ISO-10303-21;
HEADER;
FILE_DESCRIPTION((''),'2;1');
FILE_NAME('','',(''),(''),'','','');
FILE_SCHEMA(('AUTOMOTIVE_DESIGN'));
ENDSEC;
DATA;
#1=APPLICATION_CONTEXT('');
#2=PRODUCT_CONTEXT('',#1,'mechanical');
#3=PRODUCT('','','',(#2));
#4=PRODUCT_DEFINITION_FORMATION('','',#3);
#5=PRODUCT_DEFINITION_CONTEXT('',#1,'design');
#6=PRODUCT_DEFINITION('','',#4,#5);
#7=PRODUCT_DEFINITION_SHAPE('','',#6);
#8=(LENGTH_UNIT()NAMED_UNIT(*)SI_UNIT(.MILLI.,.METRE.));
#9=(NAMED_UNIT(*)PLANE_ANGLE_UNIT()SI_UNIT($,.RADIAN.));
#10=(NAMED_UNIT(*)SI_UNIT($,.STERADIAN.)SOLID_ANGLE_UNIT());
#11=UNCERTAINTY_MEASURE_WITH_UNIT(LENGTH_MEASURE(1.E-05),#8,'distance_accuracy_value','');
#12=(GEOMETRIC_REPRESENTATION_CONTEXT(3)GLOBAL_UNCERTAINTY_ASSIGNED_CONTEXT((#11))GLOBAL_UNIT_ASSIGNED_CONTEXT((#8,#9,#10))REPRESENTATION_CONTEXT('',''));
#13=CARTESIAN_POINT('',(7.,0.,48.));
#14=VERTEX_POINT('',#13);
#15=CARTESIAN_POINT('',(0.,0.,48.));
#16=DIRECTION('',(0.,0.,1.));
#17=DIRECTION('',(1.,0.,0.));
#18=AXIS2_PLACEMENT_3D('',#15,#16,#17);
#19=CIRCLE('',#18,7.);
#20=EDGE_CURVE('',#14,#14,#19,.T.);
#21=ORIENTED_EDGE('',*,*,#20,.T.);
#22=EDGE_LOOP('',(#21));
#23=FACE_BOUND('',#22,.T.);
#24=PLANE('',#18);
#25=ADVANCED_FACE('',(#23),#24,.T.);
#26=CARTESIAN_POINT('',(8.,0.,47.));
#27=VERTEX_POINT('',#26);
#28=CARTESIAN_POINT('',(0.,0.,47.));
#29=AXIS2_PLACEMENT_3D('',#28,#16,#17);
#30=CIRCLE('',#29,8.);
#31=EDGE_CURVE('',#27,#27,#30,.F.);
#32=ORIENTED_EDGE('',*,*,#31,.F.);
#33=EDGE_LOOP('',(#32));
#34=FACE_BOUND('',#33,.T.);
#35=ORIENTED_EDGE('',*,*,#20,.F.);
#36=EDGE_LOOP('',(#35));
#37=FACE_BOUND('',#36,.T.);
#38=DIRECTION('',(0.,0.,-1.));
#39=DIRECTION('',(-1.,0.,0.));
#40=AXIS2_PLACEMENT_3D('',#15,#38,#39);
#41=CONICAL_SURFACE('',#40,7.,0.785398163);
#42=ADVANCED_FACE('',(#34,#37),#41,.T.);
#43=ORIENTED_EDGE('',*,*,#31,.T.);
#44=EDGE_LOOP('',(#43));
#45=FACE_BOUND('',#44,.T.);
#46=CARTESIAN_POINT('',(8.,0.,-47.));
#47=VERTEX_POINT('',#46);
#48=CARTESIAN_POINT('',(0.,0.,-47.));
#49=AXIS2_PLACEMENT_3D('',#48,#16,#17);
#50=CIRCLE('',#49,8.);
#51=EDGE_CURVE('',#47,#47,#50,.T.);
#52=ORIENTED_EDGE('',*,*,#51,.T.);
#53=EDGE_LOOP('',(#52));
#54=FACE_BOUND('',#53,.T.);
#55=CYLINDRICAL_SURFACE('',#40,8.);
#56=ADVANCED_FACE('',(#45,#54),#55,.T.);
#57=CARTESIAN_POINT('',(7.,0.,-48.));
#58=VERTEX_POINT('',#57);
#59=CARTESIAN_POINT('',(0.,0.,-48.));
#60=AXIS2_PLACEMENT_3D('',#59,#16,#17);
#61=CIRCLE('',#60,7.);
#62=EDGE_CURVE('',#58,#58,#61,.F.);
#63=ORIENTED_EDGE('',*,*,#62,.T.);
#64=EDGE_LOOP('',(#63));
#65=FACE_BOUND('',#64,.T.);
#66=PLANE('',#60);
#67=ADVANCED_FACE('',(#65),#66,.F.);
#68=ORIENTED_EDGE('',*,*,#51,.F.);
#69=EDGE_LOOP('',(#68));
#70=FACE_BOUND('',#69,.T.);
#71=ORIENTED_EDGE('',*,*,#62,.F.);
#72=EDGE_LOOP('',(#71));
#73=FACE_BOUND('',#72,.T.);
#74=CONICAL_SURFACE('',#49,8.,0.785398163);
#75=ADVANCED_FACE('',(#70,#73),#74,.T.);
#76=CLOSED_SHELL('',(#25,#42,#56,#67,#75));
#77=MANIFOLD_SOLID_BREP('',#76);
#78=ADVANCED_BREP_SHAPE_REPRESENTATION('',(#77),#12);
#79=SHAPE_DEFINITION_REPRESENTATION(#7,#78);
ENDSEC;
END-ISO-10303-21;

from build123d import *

# Parameters (mm, degrees)
SKETCH2_R           = 8
BOSS_EXTRUDE1_DEPTH = 48
CHAMFER1_SIZE       = 1


with BuildPart() as part:
    # Sketch2 → Boss-Extrude1 (new body, symmetric)
    with BuildSketch(Plane.XY):
        Circle(SKETCH2_R)
    extrude(amount=BOSS_EXTRUDE1_DEPTH, both=True)

    # Chamfer1
    chamfer1_edges = [part.edges().sort_by_distance(p)[0] for p in [
        (-8, 0, -48),
        (-8, 0, 48),
    ]]
    chamfer(chamfer1_edges, length=CHAMFER1_SIZE)


solid = part.part
